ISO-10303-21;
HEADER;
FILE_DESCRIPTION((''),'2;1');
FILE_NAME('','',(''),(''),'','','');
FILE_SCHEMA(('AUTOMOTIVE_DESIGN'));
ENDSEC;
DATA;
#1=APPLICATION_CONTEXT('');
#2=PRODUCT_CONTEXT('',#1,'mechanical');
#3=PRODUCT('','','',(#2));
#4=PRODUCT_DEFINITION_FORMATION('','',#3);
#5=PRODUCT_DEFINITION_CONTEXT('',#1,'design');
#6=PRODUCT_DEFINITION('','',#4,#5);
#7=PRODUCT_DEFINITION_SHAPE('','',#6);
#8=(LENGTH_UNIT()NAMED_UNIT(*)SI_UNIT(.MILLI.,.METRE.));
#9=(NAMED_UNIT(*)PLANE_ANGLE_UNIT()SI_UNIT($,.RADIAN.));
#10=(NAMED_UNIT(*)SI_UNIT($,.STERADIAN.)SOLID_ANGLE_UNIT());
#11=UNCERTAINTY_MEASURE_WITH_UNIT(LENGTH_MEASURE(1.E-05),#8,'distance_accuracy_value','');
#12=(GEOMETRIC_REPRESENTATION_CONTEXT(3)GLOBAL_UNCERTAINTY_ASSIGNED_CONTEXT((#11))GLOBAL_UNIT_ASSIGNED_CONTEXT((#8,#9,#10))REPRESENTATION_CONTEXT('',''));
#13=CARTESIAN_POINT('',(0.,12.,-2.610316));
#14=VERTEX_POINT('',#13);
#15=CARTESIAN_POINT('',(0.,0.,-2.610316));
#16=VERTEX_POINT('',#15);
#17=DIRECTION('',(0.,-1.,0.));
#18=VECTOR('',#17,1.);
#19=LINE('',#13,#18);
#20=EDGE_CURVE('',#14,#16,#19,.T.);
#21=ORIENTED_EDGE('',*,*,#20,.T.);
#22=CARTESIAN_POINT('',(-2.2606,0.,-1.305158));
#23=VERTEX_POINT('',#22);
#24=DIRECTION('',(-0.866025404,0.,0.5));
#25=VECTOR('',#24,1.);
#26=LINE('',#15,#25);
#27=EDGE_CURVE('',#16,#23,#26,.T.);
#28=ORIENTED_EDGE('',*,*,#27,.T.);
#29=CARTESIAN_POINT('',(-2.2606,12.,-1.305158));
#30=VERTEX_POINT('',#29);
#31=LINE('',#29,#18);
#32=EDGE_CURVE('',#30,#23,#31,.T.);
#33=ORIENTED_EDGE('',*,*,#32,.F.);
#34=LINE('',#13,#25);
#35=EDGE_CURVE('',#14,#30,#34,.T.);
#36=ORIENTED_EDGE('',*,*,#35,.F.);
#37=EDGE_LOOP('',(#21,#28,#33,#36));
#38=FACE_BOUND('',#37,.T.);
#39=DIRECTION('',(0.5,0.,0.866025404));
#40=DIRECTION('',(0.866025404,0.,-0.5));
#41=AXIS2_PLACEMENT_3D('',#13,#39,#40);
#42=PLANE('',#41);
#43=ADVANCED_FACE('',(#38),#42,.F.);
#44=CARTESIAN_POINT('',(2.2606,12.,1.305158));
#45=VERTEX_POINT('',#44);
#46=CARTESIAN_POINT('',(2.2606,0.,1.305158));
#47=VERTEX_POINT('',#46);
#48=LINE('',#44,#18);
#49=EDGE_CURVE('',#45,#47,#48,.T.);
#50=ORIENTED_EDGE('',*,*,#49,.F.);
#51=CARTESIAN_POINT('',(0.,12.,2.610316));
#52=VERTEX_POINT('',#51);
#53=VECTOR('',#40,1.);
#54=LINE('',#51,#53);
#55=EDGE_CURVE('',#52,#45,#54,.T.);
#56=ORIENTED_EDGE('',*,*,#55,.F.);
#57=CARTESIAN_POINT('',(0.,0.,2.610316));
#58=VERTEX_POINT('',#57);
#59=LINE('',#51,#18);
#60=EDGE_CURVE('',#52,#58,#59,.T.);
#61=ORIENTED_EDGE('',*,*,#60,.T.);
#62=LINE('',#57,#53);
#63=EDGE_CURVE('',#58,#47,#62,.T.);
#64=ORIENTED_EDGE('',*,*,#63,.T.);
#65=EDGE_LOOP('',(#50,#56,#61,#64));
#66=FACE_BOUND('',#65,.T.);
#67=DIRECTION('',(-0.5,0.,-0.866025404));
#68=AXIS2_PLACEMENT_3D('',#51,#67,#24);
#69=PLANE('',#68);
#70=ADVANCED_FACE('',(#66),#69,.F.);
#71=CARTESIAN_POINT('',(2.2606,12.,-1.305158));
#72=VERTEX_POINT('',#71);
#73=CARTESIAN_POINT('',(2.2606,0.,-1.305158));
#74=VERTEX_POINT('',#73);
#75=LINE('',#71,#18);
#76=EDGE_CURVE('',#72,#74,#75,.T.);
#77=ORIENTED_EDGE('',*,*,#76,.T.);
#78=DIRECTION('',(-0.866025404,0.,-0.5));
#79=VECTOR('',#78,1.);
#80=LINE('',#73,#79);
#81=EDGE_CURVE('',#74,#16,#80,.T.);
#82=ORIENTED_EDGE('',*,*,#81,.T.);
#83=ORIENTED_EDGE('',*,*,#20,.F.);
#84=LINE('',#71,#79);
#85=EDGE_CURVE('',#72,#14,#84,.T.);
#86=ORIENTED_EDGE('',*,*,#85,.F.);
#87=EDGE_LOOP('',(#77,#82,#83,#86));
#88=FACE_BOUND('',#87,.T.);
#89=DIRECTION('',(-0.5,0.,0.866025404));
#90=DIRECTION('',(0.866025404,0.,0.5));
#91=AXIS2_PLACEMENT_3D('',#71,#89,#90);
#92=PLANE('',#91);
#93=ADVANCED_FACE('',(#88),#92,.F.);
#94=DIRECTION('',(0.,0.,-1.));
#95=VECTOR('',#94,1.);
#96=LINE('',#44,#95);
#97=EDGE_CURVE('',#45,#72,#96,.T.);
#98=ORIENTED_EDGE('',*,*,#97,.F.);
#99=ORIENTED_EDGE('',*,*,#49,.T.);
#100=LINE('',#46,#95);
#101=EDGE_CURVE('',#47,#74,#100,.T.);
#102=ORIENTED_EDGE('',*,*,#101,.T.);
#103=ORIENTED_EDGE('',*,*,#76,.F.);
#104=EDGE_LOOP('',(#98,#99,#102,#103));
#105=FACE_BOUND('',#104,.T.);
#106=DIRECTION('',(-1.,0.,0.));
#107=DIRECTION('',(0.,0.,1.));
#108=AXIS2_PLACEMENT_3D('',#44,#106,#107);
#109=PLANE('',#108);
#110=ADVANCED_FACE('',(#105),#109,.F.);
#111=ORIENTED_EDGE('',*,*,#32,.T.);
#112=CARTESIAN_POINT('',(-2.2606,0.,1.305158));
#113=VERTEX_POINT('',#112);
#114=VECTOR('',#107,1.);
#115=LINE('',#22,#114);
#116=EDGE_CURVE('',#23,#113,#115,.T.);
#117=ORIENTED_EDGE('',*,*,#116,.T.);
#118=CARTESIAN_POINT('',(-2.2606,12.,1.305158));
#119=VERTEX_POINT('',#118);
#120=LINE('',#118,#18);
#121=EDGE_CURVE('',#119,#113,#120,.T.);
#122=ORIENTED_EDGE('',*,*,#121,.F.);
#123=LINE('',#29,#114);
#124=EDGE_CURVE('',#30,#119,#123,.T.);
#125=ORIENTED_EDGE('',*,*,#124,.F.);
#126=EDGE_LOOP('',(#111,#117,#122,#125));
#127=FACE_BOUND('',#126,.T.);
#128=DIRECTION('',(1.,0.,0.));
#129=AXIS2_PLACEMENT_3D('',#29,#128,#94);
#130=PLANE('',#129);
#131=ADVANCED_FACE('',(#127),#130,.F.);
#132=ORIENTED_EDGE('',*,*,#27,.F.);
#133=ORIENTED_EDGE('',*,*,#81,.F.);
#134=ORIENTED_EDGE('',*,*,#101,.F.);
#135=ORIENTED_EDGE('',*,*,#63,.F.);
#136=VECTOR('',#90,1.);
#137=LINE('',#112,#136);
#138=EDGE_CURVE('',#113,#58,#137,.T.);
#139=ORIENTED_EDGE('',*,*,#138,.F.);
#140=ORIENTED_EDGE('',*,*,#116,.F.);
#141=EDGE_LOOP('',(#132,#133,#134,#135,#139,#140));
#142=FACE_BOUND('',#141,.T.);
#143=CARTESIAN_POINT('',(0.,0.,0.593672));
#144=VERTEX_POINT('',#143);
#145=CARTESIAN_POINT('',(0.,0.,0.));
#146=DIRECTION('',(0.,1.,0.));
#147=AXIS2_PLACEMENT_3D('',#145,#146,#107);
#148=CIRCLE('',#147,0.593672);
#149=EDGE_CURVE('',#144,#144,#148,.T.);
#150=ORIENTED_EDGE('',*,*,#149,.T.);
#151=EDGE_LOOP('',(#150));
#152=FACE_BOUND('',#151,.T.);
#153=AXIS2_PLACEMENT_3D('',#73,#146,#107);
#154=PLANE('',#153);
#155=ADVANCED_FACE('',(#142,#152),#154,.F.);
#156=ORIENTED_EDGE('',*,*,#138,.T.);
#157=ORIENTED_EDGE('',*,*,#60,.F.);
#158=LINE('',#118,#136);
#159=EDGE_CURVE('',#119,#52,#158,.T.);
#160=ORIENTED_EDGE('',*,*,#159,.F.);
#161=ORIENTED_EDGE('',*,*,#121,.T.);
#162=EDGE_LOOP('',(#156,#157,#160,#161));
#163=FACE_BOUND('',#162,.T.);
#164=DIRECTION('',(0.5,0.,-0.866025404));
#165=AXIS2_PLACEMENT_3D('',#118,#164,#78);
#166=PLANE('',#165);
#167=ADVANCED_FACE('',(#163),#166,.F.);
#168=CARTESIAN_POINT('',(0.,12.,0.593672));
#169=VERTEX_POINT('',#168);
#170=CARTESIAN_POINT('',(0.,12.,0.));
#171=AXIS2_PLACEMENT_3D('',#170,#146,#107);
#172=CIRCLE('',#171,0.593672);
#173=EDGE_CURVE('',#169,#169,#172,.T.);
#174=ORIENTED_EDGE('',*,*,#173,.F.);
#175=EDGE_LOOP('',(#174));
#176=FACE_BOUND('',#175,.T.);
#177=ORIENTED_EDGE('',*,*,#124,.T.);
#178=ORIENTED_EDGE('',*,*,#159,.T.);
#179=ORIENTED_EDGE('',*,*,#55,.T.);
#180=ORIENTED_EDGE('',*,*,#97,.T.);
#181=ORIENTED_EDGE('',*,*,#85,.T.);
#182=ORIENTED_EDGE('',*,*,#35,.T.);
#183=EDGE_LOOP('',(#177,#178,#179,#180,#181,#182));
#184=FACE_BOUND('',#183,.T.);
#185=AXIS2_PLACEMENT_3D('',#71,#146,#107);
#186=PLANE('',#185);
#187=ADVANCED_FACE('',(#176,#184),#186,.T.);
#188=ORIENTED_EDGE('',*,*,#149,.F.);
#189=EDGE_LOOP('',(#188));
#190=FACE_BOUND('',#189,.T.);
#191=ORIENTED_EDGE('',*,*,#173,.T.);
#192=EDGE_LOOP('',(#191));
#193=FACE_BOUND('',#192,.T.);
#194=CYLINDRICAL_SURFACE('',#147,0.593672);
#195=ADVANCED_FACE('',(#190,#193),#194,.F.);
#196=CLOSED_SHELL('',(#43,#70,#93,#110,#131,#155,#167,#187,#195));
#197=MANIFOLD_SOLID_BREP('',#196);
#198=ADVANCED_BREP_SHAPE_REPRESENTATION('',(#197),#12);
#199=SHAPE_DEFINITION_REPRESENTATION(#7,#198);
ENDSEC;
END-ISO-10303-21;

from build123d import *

# Parameters (mm, degrees)
BOSS_EXTRUDE1_DEPTH = 12
SKETCH3_R           = 0.593671867
CUT_EXTRUDE1_DEPTH  = 13.486955681


with BuildPart() as part:
    # Sketch1 → Boss-Extrude1 (new body)
    with BuildSketch(Plane(origin=(0, 0, 0), x_dir=(1, 0, 0), z_dir=(0, 1, 0))):
        Polygon((2.2606, 1.305158019), (0, 2.610316037), (-2.2606, 1.305158019), (-2.2606, -1.305158019), (0, -2.610316037), (2.2606, -1.305158019), align=None)
    extrude(amount=BOSS_EXTRUDE1_DEPTH)

    # Sketch3 → Cut-Extrude1 (cut, through all)
    with BuildSketch(Plane(origin=(0, 12, 0), x_dir=(1, 0, 0), z_dir=(0, 1, 0))):
        with Locations(Location((0, 0, 0), (0, 0, 270))):
            Circle(SKETCH3_R)
    extrude(amount=-CUT_EXTRUDE1_DEPTH, mode=Mode.SUBTRACT)


solid = part.part
